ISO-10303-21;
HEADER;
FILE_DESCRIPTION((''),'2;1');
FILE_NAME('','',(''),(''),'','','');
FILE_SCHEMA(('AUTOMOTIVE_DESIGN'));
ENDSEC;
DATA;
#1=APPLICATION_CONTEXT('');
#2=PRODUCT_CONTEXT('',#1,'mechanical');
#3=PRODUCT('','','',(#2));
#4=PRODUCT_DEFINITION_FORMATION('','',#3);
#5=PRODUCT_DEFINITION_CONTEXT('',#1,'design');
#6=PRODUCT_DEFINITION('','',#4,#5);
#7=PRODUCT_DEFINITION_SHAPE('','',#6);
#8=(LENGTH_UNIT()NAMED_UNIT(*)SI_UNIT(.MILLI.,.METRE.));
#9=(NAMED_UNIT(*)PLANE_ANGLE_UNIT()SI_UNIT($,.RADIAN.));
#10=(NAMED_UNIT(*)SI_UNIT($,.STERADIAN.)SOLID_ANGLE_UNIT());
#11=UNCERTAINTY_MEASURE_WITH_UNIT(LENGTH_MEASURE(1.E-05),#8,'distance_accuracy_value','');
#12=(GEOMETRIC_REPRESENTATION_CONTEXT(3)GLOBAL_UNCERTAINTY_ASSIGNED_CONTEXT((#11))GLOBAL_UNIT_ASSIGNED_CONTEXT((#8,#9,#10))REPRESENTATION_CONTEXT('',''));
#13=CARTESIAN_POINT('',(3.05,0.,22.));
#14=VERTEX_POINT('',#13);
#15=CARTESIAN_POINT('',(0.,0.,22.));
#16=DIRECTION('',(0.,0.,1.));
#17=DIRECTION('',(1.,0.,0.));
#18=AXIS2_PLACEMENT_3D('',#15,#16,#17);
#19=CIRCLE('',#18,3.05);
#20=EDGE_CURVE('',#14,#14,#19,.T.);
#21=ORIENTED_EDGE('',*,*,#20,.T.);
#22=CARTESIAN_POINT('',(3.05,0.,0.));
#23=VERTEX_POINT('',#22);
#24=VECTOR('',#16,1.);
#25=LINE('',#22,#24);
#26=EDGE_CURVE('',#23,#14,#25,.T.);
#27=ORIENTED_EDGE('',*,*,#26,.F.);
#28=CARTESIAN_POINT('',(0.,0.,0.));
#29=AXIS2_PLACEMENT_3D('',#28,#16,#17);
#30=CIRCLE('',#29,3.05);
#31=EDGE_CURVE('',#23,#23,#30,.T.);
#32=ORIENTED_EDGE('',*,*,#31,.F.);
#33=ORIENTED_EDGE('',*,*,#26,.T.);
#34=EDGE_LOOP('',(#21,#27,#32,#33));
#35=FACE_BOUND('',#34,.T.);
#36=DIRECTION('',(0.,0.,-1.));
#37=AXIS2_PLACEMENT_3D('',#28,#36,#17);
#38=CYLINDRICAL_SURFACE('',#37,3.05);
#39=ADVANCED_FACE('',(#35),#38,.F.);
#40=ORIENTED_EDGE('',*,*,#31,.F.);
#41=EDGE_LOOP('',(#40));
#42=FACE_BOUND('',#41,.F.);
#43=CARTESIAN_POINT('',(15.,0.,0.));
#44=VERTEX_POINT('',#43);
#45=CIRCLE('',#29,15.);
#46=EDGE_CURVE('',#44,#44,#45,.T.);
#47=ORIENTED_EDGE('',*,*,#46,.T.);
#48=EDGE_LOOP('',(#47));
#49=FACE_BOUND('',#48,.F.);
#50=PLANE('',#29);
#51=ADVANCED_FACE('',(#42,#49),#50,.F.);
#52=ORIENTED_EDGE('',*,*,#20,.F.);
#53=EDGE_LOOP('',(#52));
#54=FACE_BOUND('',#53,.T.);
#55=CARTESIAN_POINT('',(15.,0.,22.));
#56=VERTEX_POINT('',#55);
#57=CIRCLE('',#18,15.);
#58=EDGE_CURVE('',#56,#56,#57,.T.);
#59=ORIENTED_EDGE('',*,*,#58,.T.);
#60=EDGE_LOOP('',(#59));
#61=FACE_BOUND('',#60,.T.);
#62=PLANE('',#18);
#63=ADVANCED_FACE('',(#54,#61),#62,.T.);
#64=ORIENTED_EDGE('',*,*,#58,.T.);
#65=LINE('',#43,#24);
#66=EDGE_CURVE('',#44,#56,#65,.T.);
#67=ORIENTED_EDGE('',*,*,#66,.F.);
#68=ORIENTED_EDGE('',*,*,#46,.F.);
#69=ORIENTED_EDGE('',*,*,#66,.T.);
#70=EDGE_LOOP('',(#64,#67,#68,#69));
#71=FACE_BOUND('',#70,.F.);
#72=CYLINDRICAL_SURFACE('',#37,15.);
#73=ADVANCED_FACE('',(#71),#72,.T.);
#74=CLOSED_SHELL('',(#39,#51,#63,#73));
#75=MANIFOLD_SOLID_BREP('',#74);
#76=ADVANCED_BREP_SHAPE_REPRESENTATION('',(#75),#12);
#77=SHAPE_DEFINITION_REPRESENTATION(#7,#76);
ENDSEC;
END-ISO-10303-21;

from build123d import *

# Parameters (mm, degrees)
SKETCH_R   = 15
SKETCH_R_2 = 3.05
PAD_DEPTH  = 22


with BuildPart() as part:
    # Sketch → Pad (new body)
    with BuildSketch(Plane.XY):
        Circle(SKETCH_R)
        Circle(SKETCH_R_2, mode=Mode.SUBTRACT)
    extrude(amount=PAD_DEPTH)


solid = part.part
